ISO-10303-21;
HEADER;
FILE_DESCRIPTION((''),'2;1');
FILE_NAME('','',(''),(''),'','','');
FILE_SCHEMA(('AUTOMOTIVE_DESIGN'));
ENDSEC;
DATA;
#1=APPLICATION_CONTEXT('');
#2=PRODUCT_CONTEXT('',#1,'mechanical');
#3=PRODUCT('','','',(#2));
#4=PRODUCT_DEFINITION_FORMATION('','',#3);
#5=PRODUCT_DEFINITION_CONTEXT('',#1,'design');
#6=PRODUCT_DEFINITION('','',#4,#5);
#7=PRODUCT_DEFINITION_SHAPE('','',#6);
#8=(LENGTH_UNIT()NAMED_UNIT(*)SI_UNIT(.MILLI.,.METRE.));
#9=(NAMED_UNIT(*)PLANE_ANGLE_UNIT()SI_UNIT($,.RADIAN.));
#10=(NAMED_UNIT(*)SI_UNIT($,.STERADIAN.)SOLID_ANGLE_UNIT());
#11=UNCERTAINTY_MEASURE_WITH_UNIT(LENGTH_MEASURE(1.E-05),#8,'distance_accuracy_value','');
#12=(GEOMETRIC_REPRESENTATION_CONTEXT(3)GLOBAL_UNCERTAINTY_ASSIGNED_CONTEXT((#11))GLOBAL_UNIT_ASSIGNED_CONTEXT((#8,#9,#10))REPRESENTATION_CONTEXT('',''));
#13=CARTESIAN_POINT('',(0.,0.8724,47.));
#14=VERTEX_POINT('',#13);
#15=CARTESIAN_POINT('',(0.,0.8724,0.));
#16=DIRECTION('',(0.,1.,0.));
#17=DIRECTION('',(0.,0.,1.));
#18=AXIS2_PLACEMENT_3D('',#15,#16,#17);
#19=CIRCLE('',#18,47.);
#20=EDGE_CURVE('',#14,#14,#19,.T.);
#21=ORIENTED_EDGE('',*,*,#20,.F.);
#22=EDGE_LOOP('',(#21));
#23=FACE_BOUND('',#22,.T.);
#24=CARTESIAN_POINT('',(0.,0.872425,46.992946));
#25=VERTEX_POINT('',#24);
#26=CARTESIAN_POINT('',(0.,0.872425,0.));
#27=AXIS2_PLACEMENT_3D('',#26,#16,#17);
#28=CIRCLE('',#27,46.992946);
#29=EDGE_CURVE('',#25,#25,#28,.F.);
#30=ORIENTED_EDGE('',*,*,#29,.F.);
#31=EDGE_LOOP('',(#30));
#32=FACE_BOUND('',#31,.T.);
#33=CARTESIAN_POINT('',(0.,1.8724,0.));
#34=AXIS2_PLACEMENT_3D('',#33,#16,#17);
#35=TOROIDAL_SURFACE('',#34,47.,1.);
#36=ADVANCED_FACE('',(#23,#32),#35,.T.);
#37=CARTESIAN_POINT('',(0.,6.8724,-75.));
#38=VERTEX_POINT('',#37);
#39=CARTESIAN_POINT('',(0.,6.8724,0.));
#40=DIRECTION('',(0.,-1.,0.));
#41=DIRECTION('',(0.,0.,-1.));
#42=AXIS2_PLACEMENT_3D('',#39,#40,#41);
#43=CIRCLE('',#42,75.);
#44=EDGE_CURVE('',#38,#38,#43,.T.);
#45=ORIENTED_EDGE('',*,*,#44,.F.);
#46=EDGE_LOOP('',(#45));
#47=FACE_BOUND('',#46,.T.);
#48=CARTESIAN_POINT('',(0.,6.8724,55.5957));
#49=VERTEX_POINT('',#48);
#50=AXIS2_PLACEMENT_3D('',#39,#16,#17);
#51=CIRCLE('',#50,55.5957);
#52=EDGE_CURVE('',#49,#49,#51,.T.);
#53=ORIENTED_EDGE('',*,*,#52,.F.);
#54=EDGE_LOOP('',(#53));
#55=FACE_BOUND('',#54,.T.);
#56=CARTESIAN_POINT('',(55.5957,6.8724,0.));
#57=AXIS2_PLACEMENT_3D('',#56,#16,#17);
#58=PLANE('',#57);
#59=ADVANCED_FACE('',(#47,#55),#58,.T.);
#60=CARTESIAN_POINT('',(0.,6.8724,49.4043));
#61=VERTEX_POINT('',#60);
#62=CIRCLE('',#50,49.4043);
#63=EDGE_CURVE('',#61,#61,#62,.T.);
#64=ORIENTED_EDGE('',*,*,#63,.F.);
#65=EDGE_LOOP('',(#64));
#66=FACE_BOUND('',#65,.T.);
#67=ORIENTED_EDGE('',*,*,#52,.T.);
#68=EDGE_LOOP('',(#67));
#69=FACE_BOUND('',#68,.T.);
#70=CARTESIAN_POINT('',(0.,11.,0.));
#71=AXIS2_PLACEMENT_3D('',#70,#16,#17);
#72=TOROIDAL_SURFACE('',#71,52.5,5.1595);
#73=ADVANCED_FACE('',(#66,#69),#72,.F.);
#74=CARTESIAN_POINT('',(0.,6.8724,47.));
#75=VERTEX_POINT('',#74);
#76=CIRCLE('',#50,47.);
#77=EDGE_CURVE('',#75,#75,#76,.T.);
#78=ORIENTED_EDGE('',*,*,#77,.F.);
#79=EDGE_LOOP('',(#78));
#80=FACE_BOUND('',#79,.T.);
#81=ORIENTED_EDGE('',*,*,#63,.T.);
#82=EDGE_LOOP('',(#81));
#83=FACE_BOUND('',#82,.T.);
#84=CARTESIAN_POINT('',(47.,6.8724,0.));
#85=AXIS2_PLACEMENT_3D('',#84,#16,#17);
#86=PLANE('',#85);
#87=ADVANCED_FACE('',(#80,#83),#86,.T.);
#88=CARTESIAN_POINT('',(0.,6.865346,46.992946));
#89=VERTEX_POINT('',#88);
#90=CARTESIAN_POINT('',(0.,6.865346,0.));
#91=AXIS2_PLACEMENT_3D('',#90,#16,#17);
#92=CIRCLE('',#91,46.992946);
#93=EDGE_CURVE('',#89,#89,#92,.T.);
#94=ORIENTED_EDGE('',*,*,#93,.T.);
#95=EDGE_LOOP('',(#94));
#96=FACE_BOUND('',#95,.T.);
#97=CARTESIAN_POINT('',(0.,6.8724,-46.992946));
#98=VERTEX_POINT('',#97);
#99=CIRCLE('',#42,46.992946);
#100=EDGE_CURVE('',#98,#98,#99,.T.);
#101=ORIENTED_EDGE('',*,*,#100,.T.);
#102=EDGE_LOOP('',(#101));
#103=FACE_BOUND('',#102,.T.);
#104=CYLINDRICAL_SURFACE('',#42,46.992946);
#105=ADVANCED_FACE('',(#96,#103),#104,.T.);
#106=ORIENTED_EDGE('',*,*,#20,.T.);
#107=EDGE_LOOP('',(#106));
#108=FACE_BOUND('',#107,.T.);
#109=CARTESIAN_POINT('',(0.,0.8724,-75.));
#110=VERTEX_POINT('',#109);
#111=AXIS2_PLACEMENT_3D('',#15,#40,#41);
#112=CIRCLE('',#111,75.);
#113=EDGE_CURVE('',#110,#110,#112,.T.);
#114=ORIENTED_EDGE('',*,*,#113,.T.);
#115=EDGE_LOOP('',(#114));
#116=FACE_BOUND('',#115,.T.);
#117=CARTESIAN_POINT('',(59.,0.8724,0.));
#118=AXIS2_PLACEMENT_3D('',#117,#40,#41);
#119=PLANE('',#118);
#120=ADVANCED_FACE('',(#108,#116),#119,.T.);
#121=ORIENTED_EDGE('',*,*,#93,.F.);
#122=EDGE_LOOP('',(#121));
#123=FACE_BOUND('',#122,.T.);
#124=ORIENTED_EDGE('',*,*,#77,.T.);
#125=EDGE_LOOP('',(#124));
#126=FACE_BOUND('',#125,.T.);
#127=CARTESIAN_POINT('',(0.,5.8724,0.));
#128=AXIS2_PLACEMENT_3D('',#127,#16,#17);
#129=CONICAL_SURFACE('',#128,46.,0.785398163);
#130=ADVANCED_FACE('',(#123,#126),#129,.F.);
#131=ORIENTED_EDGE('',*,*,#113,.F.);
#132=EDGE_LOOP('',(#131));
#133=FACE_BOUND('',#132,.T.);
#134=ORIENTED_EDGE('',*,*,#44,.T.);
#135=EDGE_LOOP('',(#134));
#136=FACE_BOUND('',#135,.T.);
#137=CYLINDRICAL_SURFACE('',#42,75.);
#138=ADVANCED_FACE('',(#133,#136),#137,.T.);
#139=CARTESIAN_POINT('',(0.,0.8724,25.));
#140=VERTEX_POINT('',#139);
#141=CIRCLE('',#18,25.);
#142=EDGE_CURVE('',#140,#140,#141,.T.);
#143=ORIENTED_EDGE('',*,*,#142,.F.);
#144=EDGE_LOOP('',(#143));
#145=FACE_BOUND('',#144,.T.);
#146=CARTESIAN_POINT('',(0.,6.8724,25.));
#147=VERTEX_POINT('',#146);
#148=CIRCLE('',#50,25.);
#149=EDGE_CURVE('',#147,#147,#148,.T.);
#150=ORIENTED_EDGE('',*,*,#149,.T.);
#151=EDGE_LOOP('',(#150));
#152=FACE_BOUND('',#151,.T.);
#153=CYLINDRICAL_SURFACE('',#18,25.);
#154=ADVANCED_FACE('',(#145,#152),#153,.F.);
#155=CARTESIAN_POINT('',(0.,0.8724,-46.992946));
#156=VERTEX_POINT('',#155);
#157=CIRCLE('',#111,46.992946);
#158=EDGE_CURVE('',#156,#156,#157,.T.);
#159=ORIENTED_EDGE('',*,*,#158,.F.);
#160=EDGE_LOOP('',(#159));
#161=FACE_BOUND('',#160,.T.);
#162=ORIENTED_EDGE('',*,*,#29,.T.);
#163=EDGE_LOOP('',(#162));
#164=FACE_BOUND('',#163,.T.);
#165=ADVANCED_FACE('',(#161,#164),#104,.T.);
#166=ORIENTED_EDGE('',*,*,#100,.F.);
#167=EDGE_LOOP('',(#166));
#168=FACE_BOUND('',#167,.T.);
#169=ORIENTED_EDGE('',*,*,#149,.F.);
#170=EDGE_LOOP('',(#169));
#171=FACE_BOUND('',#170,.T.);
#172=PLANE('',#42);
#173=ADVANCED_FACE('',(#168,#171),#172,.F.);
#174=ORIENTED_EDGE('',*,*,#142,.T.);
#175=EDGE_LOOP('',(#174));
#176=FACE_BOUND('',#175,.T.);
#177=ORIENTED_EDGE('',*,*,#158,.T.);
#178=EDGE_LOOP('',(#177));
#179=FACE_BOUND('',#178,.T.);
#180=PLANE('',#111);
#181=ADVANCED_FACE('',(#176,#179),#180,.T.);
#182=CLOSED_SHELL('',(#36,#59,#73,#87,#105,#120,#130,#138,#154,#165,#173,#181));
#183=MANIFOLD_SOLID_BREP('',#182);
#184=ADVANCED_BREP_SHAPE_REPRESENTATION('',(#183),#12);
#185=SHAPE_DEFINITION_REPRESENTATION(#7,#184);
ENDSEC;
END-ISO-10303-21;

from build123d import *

# Parameters (mm, degrees)
SKETCH2_R           = 75
SKETCH2_R_2         = 59
SKETCH2_R_3         = 46.992946112
BOSS_EXTRUDE1_DEPTH = 6
SKETCH8_R           = 25
CUT_EXTRUDE4_DEPTH  = 6


with BuildPart() as part:
    # Sketch1 → Revolve1 (revolve)
    with BuildSketch(Plane(origin=(0, 0, 0), x_dir=(-1, 0, 0), z_dir=(0, 0, -1)), mode=Mode.PRIVATE) as revolve1_sk:
        with BuildLine():
            Line((-59, 0.8724), (-47, 0.8724))
            ThreePointArc((-47, 0.8724), (-46.292893219, 1.165293219), (-46, 1.8724))
            Line((-46, 1.8724), (-46, 5.8724))
            Line((-46, 5.8724), (-47, 6.8724))
            Line((-47, 6.8724), (-49.4043, 6.8724))
            ThreePointArc((-49.4043, 6.8724), (-52.5, 5.8405), (-55.5957, 6.8724))
            Line((-55.5957, 6.8724), (-59, 6.8724))
            Line((-59, 6.8724), (-60, 5.8724))
            Line((-60, 5.8724), (-60, 1.8724))
            ThreePointArc((-60, 1.8724), (-59.707106781, 1.165293219), (-59, 0.8724))
        make_face()
    revolve(revolve1_sk.sketch.rotate(Axis((0, 0, 0), (0, 1, 0)), 270), axis=Axis((0, 0, 0), (0, 1, 0)))

    # Sketch2 → Boss-Extrude1 (add)
    # profile 1 of 2: a face of its own
    with BuildSketch(Plane.XZ.offset(-0.8724)):
        with Locations(Location((0, 0, 0), (0, 0, 270))):
            Circle(SKETCH2_R)
        Circle(SKETCH2_R_2, mode=Mode.SUBTRACT)
    # profile 2 of 2: a face of its own
    with BuildSketch(Plane.XZ.offset(-0.8724)):
        with Locations(Location((0, 0, 0), (0, 0, 270))):
            Circle(SKETCH2_R_3)
    extrude(amount=-BOSS_EXTRUDE1_DEPTH)

    # Sketch8 → Cut-Extrude4 (cut)
    with BuildSketch(Plane(origin=(0, 6.8724, 0), x_dir=(1, 0, 0), z_dir=(0, 1, 0))):
        with Locations(Location((0, 0, 0), (0, 0, 270))):
            Circle(SKETCH8_R)
    extrude(amount=-CUT_EXTRUDE4_DEPTH, mode=Mode.SUBTRACT)


solid = part.part
